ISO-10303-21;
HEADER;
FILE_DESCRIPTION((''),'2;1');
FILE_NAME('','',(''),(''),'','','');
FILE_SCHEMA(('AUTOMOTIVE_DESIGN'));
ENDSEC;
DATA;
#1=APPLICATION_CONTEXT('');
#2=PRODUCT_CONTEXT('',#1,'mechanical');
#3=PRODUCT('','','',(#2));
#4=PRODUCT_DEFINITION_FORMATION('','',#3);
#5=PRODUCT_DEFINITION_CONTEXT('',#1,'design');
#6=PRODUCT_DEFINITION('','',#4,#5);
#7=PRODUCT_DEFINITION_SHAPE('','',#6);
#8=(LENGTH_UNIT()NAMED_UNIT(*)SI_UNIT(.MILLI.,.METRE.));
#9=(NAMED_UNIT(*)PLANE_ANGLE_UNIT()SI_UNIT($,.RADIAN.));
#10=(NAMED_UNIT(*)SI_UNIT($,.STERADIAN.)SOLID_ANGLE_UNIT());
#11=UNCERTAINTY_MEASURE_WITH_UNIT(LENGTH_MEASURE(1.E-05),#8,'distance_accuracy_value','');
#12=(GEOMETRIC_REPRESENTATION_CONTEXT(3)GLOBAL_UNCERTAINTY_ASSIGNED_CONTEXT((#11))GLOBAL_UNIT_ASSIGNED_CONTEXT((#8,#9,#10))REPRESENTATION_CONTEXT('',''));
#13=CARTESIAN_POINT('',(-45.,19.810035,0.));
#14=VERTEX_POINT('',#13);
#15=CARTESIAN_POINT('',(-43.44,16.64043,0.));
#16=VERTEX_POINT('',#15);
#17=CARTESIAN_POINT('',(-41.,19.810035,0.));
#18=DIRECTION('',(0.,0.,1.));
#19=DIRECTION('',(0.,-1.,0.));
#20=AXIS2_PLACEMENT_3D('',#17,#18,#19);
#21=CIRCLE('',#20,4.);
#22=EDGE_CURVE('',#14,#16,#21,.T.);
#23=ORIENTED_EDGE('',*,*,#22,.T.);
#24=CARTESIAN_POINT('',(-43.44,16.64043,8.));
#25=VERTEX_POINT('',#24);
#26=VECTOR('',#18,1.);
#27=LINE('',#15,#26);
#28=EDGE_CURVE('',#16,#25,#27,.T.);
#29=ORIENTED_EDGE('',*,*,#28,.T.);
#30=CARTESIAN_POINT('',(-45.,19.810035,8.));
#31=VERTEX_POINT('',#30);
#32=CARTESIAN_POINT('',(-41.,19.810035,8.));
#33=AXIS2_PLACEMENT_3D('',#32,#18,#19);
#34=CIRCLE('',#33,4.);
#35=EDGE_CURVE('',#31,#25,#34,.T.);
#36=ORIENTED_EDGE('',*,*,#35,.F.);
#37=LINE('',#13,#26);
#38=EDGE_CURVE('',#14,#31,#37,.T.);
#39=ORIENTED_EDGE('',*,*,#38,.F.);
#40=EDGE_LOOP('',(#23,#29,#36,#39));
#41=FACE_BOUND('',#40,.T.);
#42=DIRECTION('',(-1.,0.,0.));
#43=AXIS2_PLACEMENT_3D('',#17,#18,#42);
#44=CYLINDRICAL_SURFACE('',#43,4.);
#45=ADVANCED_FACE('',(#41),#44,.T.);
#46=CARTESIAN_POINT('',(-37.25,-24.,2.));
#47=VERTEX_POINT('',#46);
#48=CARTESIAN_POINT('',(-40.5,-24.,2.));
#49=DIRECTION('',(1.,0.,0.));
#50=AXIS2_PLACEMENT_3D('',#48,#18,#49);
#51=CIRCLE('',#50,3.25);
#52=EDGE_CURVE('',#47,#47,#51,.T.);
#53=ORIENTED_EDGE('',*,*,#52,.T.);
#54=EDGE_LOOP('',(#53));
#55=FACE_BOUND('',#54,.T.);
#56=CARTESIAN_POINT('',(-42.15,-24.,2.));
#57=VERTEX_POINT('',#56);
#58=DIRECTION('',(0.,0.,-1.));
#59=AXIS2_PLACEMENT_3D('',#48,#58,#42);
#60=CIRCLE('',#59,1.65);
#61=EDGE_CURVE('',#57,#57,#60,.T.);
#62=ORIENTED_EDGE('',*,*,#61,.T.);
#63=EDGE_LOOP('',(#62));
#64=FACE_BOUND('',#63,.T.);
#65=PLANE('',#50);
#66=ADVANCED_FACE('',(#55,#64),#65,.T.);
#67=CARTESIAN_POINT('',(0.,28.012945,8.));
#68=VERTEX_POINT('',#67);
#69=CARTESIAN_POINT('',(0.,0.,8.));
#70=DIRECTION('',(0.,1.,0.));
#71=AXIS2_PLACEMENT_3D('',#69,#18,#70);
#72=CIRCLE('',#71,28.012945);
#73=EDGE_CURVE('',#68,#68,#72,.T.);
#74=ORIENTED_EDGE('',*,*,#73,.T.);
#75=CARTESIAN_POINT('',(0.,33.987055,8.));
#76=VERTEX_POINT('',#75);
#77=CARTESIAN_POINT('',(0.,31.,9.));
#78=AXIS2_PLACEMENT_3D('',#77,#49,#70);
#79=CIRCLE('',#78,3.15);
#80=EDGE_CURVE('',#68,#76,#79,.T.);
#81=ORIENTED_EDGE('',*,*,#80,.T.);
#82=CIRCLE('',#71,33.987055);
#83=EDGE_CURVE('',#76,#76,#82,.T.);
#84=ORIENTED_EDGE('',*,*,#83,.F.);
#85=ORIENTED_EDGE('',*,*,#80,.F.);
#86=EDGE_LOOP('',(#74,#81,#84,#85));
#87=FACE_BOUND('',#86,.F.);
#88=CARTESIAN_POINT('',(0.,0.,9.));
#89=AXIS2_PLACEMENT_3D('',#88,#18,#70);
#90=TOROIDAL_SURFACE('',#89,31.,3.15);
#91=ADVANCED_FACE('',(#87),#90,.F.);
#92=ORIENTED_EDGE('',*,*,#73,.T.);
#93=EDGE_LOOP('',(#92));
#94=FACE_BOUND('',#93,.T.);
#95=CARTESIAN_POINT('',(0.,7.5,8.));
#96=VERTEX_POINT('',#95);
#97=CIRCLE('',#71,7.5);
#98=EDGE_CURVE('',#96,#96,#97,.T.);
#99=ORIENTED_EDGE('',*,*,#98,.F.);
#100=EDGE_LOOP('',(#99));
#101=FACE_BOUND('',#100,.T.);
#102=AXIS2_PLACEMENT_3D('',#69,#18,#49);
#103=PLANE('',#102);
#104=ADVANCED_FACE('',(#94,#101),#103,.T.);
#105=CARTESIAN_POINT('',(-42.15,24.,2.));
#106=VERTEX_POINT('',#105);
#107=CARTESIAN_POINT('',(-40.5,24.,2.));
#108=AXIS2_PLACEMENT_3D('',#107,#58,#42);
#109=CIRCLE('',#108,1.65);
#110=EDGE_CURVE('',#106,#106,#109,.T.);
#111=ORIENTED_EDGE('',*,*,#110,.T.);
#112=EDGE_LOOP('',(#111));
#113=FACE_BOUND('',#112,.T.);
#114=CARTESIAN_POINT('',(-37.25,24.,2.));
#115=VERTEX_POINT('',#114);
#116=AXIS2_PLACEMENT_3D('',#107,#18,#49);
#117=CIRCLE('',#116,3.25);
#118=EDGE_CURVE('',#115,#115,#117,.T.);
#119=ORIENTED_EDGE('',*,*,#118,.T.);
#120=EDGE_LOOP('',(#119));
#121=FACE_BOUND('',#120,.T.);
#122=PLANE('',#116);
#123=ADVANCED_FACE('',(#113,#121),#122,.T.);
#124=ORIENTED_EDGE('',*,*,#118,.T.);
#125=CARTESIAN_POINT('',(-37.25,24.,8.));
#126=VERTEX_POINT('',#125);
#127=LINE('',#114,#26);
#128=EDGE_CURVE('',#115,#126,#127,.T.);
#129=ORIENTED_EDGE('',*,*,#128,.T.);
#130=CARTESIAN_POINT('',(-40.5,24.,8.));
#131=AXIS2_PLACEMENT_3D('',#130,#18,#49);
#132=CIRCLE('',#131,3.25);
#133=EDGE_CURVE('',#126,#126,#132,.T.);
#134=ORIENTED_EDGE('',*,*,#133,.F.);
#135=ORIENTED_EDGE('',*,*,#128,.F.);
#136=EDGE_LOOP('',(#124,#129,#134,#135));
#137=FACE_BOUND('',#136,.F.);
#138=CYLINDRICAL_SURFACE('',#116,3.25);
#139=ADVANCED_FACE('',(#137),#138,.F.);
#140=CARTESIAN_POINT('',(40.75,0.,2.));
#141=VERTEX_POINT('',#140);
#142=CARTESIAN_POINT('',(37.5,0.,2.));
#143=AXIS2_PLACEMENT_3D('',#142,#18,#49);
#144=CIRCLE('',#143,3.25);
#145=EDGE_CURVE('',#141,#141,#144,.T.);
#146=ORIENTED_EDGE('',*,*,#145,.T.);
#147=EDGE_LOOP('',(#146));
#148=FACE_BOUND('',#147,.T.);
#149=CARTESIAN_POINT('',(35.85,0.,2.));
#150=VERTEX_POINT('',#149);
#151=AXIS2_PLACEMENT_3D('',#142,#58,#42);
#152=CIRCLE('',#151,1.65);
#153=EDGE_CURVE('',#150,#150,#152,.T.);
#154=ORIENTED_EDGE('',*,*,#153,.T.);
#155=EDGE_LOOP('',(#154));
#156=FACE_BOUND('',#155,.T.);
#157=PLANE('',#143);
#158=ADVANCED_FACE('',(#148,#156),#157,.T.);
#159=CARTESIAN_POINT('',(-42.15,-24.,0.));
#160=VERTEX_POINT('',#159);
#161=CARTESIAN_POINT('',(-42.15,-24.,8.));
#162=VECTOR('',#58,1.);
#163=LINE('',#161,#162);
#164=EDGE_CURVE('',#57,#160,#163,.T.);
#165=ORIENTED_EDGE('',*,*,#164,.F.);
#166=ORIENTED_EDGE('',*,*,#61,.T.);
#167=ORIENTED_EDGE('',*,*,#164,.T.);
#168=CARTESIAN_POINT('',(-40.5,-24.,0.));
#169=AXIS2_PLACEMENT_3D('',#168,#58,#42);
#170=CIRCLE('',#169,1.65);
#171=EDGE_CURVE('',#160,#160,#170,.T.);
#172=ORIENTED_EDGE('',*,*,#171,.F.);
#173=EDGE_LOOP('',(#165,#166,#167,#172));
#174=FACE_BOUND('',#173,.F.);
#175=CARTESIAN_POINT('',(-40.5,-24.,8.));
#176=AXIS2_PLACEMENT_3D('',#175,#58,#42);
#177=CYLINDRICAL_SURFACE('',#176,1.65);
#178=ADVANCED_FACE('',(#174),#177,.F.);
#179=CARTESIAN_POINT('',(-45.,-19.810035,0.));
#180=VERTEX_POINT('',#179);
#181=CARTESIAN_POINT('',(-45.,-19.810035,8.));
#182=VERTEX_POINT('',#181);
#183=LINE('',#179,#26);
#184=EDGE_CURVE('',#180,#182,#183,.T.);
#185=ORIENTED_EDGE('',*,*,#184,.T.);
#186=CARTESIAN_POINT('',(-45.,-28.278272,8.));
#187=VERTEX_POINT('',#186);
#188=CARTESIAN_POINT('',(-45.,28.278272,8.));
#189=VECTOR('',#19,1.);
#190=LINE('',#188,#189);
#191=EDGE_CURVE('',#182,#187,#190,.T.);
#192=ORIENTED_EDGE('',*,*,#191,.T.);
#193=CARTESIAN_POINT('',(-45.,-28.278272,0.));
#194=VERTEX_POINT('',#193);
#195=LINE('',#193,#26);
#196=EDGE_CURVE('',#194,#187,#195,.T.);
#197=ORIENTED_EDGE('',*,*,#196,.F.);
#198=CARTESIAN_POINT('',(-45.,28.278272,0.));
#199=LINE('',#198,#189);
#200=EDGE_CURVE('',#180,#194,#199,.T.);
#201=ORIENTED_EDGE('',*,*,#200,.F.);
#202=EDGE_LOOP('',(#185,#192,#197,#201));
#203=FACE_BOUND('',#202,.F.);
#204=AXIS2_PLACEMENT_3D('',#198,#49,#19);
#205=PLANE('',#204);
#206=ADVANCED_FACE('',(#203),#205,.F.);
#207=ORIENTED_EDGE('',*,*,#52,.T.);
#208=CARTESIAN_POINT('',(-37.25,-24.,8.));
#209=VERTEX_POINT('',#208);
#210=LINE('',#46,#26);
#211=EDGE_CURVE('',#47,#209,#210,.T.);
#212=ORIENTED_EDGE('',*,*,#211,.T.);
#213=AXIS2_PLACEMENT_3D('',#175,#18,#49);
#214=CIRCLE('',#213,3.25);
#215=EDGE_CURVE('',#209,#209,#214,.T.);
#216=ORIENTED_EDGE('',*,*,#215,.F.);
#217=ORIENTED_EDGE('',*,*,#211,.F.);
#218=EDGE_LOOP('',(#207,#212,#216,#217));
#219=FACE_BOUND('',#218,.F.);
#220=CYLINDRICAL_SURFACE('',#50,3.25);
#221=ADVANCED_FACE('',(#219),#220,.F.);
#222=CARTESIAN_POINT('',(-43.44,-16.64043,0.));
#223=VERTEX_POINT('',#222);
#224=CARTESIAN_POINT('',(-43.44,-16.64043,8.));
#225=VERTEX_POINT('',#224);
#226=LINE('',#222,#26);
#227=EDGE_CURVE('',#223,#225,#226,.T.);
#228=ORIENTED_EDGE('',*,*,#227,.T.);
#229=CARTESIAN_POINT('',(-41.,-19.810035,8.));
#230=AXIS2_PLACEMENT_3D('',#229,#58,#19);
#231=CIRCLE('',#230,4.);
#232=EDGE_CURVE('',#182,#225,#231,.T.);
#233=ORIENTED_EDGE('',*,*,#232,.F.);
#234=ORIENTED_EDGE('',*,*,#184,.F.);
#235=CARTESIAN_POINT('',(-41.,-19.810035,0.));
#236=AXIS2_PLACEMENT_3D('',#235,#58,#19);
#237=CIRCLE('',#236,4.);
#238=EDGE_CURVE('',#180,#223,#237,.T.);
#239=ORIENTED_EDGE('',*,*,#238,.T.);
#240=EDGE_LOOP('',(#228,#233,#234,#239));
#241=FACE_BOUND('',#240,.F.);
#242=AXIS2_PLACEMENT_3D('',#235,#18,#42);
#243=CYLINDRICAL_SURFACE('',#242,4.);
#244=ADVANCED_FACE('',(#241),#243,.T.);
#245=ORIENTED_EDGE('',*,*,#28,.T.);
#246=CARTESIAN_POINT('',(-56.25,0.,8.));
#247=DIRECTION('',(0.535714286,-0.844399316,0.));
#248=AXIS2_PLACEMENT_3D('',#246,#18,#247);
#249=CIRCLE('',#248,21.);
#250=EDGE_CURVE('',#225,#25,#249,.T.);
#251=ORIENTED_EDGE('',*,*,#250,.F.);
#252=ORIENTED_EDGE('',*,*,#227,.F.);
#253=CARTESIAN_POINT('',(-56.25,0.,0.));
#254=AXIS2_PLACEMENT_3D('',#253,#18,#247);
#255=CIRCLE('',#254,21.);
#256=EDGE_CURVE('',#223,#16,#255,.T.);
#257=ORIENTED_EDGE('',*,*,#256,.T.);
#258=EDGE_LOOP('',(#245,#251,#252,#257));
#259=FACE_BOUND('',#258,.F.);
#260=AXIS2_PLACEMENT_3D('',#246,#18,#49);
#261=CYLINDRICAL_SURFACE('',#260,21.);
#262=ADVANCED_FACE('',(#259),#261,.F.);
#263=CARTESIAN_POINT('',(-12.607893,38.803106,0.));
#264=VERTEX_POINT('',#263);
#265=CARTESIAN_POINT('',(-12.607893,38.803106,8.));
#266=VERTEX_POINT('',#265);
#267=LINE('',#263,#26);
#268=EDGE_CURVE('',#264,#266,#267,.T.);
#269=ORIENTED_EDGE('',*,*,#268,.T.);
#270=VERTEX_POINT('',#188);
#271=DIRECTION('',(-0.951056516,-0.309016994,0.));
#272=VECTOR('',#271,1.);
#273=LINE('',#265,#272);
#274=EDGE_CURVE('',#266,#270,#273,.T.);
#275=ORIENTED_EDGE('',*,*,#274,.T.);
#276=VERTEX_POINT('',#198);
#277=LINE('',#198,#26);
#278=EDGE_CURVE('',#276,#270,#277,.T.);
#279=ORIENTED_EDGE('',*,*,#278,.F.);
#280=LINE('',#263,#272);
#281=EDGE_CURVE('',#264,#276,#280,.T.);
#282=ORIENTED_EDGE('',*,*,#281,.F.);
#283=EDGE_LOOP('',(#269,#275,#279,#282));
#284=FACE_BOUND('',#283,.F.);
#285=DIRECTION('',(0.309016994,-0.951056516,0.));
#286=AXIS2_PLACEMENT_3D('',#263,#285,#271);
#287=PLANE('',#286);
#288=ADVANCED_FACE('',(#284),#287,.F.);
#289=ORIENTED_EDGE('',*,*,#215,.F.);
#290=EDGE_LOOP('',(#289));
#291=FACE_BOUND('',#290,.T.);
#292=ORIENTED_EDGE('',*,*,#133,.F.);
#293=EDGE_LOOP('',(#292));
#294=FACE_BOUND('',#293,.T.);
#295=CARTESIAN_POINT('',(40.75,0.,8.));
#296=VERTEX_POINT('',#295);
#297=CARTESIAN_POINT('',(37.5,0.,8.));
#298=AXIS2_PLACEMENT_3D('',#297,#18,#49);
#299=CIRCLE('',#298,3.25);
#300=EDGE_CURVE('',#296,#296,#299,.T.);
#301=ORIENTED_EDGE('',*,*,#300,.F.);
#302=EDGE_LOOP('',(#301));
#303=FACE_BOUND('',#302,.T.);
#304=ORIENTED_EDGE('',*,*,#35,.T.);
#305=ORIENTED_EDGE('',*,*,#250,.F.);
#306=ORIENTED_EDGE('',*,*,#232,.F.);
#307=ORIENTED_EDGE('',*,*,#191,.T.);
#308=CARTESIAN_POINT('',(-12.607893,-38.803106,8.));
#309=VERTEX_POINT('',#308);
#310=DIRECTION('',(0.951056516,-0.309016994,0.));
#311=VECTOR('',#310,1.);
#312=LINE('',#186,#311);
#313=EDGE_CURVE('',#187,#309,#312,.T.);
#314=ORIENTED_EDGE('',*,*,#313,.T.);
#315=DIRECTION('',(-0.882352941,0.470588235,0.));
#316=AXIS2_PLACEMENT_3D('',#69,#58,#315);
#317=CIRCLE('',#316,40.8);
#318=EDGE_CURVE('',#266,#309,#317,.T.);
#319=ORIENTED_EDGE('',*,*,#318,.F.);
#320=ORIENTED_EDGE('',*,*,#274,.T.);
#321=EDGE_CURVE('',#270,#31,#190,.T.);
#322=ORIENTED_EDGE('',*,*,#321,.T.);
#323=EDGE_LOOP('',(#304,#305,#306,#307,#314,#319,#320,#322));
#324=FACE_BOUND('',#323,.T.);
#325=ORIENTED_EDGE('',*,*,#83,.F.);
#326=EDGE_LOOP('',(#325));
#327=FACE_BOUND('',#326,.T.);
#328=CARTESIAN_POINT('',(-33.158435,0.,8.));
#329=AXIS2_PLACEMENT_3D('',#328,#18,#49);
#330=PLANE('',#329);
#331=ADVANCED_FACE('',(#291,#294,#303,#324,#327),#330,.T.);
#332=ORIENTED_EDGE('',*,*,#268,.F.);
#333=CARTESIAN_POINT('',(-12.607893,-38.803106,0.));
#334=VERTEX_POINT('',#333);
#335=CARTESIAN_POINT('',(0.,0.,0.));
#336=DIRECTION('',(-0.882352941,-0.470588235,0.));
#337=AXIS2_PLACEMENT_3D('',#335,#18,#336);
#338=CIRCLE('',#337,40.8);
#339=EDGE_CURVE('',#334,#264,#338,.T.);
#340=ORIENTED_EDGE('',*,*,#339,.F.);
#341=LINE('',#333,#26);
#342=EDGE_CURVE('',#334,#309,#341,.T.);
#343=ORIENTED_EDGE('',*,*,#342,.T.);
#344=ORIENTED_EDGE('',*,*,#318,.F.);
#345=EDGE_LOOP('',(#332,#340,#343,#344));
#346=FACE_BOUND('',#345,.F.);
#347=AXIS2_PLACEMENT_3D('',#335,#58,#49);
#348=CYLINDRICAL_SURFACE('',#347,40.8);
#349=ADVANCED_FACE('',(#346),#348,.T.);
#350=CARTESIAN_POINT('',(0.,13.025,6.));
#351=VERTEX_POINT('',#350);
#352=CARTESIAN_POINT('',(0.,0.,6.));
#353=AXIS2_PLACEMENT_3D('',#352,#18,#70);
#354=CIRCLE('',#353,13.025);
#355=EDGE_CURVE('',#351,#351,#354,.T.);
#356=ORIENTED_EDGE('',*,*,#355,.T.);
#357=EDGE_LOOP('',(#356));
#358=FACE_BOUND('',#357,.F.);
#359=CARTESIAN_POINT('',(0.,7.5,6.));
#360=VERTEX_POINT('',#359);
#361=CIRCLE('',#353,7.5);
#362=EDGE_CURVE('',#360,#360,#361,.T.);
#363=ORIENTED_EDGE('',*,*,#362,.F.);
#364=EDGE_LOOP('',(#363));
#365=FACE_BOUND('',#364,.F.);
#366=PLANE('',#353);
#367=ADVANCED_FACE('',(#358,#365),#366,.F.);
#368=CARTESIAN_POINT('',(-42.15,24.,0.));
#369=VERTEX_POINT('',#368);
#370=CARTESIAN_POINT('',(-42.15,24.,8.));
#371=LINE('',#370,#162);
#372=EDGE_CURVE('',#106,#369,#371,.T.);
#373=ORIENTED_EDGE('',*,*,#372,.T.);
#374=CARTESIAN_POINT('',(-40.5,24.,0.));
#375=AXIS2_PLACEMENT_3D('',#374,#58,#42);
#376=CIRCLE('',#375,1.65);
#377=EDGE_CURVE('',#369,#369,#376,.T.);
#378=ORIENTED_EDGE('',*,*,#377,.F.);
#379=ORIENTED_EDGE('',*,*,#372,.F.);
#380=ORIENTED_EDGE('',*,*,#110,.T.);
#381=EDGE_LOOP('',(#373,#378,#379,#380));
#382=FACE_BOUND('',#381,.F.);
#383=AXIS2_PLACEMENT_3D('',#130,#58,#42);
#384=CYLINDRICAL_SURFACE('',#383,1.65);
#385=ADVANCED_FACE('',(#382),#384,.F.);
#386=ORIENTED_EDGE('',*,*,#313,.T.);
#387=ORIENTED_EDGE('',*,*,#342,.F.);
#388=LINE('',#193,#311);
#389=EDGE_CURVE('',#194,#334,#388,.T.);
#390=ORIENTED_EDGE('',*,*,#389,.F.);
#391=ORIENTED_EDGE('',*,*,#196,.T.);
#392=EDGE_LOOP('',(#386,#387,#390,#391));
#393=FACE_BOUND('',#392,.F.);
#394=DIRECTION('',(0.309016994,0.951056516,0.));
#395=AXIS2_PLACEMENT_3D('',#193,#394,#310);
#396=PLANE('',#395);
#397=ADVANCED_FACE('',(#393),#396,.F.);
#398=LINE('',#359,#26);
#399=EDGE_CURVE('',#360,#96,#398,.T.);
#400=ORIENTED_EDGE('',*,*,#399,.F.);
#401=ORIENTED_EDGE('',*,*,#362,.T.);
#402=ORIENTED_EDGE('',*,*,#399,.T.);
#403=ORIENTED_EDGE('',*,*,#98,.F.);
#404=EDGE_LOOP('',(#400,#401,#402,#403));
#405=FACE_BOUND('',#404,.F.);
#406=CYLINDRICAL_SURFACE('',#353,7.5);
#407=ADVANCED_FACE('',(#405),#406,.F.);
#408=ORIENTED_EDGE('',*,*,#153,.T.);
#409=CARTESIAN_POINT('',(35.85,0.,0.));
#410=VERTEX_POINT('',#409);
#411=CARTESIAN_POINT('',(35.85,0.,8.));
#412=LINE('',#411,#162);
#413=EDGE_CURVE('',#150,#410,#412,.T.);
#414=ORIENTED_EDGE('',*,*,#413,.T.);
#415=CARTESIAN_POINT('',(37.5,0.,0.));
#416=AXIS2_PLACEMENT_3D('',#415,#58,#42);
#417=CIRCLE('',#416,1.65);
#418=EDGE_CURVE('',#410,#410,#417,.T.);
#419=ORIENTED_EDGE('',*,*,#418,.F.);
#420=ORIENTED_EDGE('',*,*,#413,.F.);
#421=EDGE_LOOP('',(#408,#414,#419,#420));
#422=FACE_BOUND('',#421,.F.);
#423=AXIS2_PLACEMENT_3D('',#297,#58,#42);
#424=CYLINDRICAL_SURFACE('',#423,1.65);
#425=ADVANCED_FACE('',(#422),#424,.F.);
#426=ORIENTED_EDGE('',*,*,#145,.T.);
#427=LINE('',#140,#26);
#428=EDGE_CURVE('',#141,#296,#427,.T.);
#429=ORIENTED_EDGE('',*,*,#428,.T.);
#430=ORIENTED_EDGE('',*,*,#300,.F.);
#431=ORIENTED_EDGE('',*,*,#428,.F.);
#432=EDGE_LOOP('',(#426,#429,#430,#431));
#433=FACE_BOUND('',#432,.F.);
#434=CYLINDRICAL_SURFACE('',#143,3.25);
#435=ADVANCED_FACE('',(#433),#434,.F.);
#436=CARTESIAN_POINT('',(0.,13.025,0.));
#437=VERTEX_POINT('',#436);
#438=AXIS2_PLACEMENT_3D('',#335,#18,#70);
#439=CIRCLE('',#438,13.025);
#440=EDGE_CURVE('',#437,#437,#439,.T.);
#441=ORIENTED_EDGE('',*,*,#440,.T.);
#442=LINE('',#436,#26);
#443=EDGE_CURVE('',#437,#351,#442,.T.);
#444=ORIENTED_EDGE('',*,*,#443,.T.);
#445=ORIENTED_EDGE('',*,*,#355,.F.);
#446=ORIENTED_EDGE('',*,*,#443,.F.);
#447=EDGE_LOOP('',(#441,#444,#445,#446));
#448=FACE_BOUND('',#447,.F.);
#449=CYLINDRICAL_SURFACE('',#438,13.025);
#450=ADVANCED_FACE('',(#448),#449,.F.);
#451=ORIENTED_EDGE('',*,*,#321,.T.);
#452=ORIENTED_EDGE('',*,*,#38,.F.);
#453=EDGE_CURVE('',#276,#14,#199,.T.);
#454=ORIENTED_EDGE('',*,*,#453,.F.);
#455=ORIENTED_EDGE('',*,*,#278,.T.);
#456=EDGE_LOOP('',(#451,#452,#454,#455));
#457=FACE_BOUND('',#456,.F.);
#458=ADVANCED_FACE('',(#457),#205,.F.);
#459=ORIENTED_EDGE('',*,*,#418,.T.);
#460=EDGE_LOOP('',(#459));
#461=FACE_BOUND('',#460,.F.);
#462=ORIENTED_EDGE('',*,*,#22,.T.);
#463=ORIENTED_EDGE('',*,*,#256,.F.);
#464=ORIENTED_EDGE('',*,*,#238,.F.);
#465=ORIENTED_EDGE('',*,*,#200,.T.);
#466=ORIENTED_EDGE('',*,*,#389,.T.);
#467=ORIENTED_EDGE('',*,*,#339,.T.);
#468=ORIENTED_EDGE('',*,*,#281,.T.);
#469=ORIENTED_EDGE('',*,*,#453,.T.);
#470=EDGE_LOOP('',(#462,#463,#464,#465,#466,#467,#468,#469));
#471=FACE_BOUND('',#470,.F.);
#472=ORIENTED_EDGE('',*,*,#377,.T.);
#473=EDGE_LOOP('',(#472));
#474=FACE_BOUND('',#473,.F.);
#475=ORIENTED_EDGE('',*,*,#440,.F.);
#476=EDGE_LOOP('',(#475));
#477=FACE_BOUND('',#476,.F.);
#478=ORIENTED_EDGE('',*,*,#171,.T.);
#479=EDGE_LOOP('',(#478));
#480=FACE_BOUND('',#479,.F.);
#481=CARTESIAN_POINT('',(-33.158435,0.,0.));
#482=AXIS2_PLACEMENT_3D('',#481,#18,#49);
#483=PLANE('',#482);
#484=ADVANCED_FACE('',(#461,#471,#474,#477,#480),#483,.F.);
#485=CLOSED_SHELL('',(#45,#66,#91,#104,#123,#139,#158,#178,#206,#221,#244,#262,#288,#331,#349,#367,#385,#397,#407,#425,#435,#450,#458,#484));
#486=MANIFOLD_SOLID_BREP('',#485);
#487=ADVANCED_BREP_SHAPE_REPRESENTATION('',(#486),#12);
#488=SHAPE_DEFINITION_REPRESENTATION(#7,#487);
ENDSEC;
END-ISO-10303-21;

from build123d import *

# Parameters (mm, degrees)
F0_R            = 40.8
F1_DEPTH        = 8
F4_R            = 3.15
F6_W            = 4.8
F6_H            = 38.4
F7_DEPTH        = 8.001
F9_DEPTH        = 8
F10_R           = 21
F11_DEPTH       = 8.001
F12_R           = 4
F14_D           = 3.3
F14_CBORE_D     = 6.5
F14_CBORE_DEPTH = 6


with BuildPart() as f1:
    # F0 (on Top) → F1 (new body)
    with BuildSketch(Plane.XY):
        Circle(F0_R)
    extrude(amount=F1_DEPTH)

    # F2 (on Right) → F3 (revolve, cut)
    with BuildSketch(Plane.YZ):
        Polygon((0, 8), (0, 0), (13.025, 0), (13.025, 6), (7.5, 6), (7.5, 8), align=None)
    revolve(axis=Axis((0, 0, 10.7360328796), (0, 0, 1)), mode=Mode.SUBTRACT)

    # F4 (on Right) → F5 (revolve, cut)
    with BuildSketch(Plane.YZ):
        with Locations((31, 9)):
            Circle(F4_R)
    revolve(axis=Axis((0, 0, 6.3867427816), (0, 0, 1)), mode=Mode.SUBTRACT)

    # F6 (on Top) → F7 (cut, through all)
    with BuildSketch(Plane.XY):
        with Locations((-38.4, 0)):
            Rectangle(F6_W, F6_H)
    extrude(amount=F7_DEPTH, mode=Mode.SUBTRACT)

    # F8 (on Top) → F9 (join, through all)
    with BuildSketch(Plane.XY):
        with BuildLine():
            Line((-45, 28.2782724184), (-45, -28.2782724184))
            Line((-45, -28.2782724184), (-12.6078933705, -38.8031058648))
            ThreePointArc((-12.6078933705, -38.8031058648), (-26.2059585661, -31.2711965814), (-36, -19.2))
            Line((-36, -19.2), (-36, 19.2))
            ThreePointArc((-36, 19.2), (-26.2059585661, 31.2711965814), (-12.6078933705, 38.8031058648))
            Line((-12.6078933705, 38.8031058648), (-45, 28.2782724184))
        make_face()
    extrude(amount=F9_DEPTH)

    # F10 (on face) → F11 (cut, through all)
    with BuildSketch(Plane.XY.offset(8)):
        with Locations((-56.25, 0)):
            Circle(F10_R)
    extrude(amount=-F11_DEPTH, mode=Mode.SUBTRACT)

    # F12
    f12_edges = [f1.edges().sort_by_distance(p)[0] for p in [
        (-45, -17.732386, 4),
        (-45, 17.732386, 4),
    ]]
    fillet(f12_edges, radius=F12_R)

    # F14 (through all)
    with Locations(Plane.XY.offset(8)):
        with Locations((-40.5, 24), (-40.5, -24), (37.5, 0)):
            CounterBoreHole(F14_D / 2, F14_CBORE_D / 2, F14_CBORE_DEPTH)


solid = f1.part
